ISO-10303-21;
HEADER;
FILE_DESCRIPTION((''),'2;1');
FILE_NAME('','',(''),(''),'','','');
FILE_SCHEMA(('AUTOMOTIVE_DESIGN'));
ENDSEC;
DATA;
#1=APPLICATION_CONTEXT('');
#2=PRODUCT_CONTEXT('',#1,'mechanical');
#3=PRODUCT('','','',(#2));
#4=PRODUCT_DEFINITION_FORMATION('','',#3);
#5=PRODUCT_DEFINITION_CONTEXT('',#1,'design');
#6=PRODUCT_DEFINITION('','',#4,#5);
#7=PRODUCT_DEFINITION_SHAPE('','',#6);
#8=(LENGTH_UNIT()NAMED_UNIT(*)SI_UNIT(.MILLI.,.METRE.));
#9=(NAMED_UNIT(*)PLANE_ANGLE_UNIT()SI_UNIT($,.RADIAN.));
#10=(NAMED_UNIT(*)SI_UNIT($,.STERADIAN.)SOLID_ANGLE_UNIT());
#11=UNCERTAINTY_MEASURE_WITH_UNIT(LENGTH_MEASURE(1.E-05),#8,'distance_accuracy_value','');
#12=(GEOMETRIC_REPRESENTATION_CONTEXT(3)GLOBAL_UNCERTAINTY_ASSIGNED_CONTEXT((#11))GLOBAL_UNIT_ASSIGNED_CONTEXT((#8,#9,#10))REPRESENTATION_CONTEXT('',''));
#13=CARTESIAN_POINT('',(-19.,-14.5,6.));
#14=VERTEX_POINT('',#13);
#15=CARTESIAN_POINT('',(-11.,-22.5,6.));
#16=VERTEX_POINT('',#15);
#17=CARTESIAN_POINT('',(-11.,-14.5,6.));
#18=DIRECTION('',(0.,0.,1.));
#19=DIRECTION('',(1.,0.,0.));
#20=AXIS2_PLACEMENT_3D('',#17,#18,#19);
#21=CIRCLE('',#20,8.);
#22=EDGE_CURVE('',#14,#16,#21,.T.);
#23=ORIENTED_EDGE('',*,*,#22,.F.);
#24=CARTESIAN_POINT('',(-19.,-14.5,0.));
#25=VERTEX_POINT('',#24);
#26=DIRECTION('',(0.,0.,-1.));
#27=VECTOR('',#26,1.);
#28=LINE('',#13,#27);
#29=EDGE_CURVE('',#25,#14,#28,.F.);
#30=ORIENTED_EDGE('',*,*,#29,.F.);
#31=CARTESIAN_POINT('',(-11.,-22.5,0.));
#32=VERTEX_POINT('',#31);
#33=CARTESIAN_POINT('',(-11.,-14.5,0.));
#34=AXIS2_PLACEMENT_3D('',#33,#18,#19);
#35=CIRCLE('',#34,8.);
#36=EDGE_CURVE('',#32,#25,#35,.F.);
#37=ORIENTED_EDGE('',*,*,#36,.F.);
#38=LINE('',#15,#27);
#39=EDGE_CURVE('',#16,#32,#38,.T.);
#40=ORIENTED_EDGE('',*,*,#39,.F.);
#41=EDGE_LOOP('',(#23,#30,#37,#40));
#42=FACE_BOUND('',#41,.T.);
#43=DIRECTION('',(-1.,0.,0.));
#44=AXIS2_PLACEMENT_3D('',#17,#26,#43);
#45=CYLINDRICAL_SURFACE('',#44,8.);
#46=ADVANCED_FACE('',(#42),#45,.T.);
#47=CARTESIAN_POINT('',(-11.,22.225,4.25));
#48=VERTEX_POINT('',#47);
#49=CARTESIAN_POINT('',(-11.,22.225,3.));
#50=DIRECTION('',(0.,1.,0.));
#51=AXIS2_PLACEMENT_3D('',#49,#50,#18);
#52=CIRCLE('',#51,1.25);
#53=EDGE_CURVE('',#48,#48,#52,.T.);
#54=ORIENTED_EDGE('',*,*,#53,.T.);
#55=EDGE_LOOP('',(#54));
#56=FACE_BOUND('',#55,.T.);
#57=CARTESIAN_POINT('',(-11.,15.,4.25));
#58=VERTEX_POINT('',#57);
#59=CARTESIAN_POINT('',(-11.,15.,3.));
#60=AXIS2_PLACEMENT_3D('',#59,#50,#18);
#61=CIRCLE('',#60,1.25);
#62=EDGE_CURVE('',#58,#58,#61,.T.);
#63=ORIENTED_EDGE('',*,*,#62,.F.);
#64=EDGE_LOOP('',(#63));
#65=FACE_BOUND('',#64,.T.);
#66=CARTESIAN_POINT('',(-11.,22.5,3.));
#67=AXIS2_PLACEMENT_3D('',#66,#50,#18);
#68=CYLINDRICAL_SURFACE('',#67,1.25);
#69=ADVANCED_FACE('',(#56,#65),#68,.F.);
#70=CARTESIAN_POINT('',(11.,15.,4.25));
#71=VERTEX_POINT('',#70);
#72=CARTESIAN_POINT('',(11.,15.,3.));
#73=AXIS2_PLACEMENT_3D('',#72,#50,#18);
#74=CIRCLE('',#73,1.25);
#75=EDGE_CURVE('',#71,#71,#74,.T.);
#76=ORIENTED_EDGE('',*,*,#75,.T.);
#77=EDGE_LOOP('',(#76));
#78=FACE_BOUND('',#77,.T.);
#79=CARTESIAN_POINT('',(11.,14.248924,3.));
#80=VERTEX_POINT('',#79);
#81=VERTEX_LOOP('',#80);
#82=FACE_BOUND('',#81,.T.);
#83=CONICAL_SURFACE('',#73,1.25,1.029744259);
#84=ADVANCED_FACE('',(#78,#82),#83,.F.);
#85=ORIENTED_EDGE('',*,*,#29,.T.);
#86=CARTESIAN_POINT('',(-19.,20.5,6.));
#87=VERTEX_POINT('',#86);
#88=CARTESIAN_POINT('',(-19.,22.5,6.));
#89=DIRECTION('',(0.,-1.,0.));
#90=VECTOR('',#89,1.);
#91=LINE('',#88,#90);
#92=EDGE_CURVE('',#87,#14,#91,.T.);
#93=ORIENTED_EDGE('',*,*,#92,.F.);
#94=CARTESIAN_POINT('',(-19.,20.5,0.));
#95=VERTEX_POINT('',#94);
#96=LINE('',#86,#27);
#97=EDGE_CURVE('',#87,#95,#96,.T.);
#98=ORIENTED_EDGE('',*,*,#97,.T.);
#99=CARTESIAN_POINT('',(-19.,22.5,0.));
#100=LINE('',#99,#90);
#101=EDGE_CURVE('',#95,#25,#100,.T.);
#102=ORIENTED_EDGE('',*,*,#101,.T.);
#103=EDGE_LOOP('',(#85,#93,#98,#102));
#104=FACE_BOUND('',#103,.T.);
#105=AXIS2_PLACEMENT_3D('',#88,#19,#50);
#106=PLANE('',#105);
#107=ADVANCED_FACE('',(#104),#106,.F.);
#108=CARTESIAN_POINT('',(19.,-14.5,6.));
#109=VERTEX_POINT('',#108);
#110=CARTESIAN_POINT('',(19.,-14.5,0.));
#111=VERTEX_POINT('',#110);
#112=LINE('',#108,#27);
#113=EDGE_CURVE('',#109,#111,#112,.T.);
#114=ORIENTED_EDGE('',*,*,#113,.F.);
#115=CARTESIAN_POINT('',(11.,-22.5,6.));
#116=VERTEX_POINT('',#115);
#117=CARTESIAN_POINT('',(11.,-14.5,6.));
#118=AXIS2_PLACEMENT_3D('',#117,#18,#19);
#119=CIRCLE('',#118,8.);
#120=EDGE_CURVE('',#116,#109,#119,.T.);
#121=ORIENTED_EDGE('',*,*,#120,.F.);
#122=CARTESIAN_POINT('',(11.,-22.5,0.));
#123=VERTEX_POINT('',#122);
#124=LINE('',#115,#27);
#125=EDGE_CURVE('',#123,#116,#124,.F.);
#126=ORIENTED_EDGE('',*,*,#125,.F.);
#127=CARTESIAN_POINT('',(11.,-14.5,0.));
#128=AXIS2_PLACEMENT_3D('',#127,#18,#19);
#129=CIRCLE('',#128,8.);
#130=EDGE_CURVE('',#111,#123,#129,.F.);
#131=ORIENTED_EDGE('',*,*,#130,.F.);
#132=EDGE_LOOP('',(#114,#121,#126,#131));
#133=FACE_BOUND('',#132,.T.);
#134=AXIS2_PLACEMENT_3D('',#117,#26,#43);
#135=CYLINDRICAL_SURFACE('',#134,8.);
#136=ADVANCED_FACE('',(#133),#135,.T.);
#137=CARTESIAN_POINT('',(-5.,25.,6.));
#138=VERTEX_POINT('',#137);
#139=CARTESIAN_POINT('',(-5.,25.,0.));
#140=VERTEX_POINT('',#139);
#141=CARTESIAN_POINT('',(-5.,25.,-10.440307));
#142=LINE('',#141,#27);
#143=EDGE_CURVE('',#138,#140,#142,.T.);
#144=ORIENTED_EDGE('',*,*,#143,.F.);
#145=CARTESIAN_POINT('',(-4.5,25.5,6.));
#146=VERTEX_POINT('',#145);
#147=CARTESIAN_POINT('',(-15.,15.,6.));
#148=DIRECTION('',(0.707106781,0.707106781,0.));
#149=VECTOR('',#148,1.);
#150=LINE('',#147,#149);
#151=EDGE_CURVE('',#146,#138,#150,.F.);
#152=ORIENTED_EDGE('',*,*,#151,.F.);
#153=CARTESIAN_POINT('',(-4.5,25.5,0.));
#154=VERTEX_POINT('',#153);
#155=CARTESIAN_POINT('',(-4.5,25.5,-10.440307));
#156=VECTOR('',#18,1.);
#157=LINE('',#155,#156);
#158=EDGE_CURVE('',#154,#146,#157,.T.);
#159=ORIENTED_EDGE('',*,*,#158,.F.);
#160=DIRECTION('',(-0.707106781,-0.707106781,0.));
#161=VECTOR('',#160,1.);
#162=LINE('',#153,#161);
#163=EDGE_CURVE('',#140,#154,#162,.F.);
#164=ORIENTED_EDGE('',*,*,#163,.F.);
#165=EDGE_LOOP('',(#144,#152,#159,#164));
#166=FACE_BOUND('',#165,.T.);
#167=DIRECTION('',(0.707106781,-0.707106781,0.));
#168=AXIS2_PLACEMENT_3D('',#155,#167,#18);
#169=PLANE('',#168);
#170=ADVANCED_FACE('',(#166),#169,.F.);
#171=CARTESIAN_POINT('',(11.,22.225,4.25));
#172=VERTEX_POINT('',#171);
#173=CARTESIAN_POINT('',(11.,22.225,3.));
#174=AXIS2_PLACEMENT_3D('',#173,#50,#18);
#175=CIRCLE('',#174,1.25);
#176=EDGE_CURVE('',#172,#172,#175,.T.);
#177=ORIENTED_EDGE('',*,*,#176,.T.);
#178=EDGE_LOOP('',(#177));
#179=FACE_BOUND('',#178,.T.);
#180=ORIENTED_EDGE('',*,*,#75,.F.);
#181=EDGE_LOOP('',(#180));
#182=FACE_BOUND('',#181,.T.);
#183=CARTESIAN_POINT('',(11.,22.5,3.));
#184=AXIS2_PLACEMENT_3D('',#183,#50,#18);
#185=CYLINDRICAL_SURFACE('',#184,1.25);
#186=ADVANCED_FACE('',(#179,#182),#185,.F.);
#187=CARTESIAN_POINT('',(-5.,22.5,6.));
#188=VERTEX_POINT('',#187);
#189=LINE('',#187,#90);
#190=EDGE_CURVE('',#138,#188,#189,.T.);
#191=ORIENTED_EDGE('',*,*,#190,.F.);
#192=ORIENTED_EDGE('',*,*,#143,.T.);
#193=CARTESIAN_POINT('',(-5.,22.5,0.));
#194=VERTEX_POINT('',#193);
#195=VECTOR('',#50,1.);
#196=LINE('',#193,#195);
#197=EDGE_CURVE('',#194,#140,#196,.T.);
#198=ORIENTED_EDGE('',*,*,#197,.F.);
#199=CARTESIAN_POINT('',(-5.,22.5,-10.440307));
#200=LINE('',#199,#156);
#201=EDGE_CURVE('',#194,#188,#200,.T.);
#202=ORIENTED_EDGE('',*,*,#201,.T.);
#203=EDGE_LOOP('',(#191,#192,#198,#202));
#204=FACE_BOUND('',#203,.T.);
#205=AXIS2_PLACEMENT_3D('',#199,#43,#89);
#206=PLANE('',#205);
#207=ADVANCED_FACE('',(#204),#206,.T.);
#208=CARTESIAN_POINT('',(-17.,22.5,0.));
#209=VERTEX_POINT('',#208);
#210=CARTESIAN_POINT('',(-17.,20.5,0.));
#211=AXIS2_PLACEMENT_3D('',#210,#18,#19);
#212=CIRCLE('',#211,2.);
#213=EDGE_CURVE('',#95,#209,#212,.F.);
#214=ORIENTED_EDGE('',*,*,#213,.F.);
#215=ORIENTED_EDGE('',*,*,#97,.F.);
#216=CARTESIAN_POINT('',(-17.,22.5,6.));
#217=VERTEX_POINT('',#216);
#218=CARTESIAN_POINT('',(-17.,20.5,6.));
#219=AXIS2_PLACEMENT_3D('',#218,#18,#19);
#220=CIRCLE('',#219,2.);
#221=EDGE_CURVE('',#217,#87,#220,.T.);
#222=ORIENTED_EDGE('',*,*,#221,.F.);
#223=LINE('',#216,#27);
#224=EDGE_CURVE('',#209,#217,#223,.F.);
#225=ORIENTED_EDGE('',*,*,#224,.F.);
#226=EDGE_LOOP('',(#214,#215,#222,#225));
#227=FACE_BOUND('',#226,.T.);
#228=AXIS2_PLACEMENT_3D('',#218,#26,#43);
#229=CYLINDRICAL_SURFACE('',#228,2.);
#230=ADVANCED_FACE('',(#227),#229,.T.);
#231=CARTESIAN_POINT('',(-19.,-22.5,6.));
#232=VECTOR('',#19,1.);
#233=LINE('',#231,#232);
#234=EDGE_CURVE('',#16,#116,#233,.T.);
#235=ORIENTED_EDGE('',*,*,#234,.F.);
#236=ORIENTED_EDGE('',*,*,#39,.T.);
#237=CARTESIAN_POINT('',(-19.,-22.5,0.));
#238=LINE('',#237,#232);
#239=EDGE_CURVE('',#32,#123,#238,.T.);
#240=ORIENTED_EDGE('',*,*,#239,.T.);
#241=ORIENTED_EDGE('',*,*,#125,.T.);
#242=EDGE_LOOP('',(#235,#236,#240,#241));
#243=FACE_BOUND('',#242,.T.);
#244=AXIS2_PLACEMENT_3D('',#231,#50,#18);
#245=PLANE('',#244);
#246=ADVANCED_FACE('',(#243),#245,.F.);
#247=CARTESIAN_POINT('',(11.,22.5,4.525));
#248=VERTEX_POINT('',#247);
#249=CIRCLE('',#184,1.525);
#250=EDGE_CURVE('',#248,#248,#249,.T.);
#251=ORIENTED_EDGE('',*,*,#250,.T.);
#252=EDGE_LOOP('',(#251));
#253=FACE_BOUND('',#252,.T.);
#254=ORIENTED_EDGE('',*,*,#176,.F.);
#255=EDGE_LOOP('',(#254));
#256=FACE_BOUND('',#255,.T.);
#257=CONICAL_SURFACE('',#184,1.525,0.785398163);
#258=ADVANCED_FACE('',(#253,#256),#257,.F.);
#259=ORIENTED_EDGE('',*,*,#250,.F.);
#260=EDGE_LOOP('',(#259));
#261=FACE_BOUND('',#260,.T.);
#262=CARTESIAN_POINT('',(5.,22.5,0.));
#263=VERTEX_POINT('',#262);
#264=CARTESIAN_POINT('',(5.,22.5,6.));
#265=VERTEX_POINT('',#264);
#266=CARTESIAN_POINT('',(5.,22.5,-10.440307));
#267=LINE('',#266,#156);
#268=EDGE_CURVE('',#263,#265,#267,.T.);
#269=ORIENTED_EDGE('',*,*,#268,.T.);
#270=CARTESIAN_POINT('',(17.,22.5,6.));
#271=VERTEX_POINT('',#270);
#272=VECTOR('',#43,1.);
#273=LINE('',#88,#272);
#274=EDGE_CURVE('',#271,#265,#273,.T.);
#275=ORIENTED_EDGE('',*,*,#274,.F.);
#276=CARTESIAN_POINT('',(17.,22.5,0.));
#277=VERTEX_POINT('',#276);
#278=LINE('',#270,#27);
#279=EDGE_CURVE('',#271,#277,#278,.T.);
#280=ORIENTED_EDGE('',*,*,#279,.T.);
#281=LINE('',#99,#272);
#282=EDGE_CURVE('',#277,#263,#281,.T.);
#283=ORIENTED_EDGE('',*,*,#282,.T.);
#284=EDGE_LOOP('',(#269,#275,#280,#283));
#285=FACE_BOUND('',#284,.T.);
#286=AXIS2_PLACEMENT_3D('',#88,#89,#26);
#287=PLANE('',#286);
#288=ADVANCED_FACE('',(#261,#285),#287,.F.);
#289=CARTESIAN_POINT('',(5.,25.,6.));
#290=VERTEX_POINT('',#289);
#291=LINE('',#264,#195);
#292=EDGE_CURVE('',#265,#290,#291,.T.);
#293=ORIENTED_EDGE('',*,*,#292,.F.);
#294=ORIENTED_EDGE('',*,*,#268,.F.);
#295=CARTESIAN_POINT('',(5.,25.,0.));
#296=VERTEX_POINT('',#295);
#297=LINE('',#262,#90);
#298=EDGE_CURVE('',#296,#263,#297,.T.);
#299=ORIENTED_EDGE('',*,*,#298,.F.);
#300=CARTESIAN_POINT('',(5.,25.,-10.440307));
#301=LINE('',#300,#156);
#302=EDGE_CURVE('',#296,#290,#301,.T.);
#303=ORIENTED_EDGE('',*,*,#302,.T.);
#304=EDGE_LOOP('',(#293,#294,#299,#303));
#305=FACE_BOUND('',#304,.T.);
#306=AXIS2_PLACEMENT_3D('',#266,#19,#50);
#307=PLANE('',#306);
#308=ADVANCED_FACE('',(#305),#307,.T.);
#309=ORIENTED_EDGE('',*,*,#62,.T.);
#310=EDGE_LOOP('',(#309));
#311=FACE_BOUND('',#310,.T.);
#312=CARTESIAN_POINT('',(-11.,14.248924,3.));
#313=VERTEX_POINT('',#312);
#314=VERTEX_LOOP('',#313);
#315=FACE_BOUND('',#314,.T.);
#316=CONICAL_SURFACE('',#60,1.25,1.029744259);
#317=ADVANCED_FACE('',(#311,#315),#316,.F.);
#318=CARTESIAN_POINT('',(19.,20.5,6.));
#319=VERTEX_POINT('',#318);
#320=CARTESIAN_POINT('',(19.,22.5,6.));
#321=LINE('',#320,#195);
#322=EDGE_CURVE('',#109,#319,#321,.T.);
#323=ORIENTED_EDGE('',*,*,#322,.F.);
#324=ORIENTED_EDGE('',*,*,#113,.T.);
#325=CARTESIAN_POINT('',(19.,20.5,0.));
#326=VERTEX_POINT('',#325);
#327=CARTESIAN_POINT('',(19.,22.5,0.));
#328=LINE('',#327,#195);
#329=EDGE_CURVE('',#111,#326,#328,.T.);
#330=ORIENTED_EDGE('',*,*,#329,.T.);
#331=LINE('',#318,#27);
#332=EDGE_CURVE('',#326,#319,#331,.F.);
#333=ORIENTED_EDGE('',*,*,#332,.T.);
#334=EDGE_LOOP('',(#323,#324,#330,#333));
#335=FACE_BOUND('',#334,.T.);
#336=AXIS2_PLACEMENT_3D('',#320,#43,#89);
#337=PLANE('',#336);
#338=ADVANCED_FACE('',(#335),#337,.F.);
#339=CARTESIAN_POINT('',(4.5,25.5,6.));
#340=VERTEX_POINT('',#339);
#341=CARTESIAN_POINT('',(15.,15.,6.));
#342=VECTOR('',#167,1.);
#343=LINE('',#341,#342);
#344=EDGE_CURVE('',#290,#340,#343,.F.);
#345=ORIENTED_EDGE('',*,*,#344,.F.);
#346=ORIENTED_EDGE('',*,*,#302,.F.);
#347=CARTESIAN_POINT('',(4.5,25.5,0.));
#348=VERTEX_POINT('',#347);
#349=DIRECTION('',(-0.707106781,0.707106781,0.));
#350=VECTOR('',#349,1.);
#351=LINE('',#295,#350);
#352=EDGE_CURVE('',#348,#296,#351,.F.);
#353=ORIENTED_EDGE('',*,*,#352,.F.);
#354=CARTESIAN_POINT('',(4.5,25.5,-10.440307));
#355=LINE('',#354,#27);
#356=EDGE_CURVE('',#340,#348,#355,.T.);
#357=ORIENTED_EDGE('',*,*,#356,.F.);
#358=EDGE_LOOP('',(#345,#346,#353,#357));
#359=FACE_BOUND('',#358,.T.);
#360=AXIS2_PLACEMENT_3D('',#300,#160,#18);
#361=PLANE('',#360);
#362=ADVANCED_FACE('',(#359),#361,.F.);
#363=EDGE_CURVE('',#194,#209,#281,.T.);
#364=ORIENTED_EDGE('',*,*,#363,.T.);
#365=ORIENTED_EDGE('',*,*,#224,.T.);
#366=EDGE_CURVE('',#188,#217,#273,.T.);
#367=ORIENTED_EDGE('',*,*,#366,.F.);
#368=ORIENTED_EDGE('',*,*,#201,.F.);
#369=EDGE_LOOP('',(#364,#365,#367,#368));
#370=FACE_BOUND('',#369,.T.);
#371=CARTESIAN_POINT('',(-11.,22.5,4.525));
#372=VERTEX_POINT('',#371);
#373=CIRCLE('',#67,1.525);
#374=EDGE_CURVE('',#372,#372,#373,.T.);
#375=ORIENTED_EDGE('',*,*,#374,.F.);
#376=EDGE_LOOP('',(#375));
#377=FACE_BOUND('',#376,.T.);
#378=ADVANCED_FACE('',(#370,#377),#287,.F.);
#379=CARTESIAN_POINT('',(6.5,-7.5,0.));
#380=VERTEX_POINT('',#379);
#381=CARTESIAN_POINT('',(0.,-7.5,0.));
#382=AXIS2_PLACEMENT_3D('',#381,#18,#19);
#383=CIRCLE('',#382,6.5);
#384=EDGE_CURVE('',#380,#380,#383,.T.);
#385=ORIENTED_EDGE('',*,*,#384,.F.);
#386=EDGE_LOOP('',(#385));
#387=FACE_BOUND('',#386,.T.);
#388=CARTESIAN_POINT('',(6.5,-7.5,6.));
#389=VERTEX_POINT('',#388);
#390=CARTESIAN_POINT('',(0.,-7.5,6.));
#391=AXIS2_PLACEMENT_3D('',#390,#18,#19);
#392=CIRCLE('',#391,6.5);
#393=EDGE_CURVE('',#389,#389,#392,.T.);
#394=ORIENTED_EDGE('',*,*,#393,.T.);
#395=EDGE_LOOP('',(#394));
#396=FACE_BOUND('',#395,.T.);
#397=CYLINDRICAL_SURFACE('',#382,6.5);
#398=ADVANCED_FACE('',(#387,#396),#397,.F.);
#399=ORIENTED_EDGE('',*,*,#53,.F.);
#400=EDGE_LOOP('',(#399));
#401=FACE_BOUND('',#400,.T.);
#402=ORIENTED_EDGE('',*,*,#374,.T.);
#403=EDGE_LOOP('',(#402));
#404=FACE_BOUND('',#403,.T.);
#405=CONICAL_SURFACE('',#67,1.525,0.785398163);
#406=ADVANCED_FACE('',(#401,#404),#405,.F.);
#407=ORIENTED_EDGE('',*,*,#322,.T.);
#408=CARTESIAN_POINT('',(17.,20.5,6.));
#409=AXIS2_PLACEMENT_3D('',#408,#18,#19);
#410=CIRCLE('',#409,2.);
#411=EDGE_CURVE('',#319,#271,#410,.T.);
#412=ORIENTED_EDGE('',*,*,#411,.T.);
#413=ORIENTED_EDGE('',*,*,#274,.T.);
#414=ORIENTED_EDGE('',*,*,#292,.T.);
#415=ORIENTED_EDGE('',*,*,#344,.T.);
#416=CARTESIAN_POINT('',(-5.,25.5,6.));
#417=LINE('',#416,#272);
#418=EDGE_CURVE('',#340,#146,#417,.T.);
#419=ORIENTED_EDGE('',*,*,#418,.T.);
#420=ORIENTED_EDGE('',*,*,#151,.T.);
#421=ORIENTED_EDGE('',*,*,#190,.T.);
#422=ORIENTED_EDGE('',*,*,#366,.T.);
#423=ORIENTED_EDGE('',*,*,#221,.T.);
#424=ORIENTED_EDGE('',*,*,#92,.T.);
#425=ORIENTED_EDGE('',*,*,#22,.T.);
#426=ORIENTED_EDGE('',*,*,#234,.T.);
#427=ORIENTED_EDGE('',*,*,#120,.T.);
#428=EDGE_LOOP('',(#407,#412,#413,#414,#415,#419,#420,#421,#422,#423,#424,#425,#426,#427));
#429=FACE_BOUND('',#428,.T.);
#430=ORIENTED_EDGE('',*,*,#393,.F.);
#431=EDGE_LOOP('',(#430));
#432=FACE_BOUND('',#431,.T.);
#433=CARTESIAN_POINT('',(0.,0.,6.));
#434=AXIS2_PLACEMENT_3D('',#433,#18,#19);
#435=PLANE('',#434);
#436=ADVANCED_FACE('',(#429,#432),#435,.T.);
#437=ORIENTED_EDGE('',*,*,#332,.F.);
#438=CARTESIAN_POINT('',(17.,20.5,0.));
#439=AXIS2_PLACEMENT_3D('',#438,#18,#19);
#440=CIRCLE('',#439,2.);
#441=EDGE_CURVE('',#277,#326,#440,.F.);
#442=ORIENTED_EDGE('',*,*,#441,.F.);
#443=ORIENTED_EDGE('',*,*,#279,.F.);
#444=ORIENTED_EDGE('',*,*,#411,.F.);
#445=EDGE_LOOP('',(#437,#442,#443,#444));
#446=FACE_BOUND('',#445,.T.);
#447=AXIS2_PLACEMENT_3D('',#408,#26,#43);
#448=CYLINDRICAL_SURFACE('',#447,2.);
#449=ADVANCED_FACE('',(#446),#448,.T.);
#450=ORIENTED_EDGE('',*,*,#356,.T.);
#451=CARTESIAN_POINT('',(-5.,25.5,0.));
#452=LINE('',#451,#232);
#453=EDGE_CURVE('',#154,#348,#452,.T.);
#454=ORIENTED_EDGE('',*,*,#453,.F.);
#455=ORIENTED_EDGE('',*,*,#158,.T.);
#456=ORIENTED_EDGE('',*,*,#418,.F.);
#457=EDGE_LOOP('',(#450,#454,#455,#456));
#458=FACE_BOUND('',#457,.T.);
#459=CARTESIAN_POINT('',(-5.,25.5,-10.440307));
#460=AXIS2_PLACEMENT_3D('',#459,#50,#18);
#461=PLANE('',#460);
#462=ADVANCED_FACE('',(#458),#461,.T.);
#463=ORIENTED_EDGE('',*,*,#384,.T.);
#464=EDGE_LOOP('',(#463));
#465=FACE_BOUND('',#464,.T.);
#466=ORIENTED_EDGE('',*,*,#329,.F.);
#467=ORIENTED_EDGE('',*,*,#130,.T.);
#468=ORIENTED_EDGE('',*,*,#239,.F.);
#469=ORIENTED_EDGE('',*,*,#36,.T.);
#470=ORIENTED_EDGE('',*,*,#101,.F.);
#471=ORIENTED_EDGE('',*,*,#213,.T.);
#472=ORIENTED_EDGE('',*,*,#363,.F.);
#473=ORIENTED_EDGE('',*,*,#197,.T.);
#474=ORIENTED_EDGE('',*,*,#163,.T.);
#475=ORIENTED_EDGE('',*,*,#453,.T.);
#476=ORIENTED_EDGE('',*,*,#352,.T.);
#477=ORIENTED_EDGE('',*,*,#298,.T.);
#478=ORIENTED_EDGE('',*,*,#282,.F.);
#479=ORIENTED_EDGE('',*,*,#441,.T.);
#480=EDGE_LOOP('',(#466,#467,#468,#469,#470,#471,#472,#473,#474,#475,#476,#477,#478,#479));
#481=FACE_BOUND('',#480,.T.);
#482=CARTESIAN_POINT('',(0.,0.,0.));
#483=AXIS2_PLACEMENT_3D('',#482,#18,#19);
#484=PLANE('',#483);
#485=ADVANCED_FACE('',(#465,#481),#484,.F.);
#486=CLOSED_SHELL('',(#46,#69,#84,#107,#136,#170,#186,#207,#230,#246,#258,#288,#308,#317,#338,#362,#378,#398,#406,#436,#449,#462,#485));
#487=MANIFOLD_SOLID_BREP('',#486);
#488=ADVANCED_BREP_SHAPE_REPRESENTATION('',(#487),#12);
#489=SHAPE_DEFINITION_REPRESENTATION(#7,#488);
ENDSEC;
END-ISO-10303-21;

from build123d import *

# Parameters (mm, degrees)
SKETCH_1_W                   = 38
SKETCH_1_H                   = 45
EXTRUDE_1_DEPTH              = 6
SKETCH_2_R                   = 6.5
CUT_EXTRUDE_1_DEPTH          = 31.054117854
FILLET_1_R                   = 2
FILLET_2_R                   = 8
SKETCH_3_W                   = 10
SKETCH_3_H                   = 3
EXTRUDE_2_DEPTH              = 6
CHAMFER_1_SIZE               = 0.5
HOLE_WIZARD_M3_1_D           = 2.5
HOLE_WIZARD_M3_1_DEPTH       = 7.5
HOLE_WIZARD_M3_1_CSINK_D     = 3.05
HOLE_WIZARD_M3_1_CSINK_ANGLE = 90
HOLE_WIZARD_M3_1_TIP         = 0.751075774


with BuildPart() as part:
    # 草图1 → 凸台-拉伸1 (new body)
    with BuildSketch(Plane.XY):
        Rectangle(SKETCH_1_W, SKETCH_1_H)
    extrude(amount=EXTRUDE_1_DEPTH)

    # 草图2 → 切除-拉伸1 (cut, through all)
    with BuildSketch(Plane.XY.offset(6)):
        with Locations((0, -7.5)):
            Circle(SKETCH_2_R)
    extrude(amount=-CUT_EXTRUDE_1_DEPTH, mode=Mode.SUBTRACT)

    # 圆角1
    fillet_1_edges = [part.edges().sort_by_distance(p)[0] for p in [
        (-19, 22.5, 3),
        (19, 22.5, 3),
    ]]
    fillet(fillet_1_edges, radius=FILLET_1_R)

    # 圆角2
    fillet_2_edges = [part.edges().sort_by_distance(p)[0] for p in [
        (19, -22.5, 3),
        (-19, -22.5, 3),
    ]]
    fillet(fillet_2_edges, radius=FILLET_2_R)

    # 草图3 → 凸台-拉伸2 (add)
    with BuildSketch(Plane.XY.offset(6)):
        with Locations((0, 24)):
            Rectangle(SKETCH_3_W, SKETCH_3_H)
    extrude(amount=-EXTRUDE_2_DEPTH)

    # 倒角1
    chamfer_1_edges = [part.edges().sort_by_distance(p)[0] for p in [
        (-5, 25.5, 3),
        (5, 25.5, 3),
    ]]
    chamfer(chamfer_1_edges, length=CHAMFER_1_SIZE)

    # M3 螺纹孔1
    with Locations(Plane(origin=(-11, 22.5, 3), x_dir=(0, 0, 1), z_dir=(0, 1, 0))):
        with Locations((0, 0), (0, 22)):
            CounterSinkHole(HOLE_WIZARD_M3_1_D / 2, HOLE_WIZARD_M3_1_CSINK_D / 2, depth=HOLE_WIZARD_M3_1_DEPTH, counter_sink_angle=HOLE_WIZARD_M3_1_CSINK_ANGLE)
            with Locations((0, 0, -(HOLE_WIZARD_M3_1_DEPTH + HOLE_WIZARD_M3_1_TIP / 2))):  # 118° drill point
                Cone(0, HOLE_WIZARD_M3_1_D / 2, HOLE_WIZARD_M3_1_TIP, mode=Mode.SUBTRACT)


solid = part.part
